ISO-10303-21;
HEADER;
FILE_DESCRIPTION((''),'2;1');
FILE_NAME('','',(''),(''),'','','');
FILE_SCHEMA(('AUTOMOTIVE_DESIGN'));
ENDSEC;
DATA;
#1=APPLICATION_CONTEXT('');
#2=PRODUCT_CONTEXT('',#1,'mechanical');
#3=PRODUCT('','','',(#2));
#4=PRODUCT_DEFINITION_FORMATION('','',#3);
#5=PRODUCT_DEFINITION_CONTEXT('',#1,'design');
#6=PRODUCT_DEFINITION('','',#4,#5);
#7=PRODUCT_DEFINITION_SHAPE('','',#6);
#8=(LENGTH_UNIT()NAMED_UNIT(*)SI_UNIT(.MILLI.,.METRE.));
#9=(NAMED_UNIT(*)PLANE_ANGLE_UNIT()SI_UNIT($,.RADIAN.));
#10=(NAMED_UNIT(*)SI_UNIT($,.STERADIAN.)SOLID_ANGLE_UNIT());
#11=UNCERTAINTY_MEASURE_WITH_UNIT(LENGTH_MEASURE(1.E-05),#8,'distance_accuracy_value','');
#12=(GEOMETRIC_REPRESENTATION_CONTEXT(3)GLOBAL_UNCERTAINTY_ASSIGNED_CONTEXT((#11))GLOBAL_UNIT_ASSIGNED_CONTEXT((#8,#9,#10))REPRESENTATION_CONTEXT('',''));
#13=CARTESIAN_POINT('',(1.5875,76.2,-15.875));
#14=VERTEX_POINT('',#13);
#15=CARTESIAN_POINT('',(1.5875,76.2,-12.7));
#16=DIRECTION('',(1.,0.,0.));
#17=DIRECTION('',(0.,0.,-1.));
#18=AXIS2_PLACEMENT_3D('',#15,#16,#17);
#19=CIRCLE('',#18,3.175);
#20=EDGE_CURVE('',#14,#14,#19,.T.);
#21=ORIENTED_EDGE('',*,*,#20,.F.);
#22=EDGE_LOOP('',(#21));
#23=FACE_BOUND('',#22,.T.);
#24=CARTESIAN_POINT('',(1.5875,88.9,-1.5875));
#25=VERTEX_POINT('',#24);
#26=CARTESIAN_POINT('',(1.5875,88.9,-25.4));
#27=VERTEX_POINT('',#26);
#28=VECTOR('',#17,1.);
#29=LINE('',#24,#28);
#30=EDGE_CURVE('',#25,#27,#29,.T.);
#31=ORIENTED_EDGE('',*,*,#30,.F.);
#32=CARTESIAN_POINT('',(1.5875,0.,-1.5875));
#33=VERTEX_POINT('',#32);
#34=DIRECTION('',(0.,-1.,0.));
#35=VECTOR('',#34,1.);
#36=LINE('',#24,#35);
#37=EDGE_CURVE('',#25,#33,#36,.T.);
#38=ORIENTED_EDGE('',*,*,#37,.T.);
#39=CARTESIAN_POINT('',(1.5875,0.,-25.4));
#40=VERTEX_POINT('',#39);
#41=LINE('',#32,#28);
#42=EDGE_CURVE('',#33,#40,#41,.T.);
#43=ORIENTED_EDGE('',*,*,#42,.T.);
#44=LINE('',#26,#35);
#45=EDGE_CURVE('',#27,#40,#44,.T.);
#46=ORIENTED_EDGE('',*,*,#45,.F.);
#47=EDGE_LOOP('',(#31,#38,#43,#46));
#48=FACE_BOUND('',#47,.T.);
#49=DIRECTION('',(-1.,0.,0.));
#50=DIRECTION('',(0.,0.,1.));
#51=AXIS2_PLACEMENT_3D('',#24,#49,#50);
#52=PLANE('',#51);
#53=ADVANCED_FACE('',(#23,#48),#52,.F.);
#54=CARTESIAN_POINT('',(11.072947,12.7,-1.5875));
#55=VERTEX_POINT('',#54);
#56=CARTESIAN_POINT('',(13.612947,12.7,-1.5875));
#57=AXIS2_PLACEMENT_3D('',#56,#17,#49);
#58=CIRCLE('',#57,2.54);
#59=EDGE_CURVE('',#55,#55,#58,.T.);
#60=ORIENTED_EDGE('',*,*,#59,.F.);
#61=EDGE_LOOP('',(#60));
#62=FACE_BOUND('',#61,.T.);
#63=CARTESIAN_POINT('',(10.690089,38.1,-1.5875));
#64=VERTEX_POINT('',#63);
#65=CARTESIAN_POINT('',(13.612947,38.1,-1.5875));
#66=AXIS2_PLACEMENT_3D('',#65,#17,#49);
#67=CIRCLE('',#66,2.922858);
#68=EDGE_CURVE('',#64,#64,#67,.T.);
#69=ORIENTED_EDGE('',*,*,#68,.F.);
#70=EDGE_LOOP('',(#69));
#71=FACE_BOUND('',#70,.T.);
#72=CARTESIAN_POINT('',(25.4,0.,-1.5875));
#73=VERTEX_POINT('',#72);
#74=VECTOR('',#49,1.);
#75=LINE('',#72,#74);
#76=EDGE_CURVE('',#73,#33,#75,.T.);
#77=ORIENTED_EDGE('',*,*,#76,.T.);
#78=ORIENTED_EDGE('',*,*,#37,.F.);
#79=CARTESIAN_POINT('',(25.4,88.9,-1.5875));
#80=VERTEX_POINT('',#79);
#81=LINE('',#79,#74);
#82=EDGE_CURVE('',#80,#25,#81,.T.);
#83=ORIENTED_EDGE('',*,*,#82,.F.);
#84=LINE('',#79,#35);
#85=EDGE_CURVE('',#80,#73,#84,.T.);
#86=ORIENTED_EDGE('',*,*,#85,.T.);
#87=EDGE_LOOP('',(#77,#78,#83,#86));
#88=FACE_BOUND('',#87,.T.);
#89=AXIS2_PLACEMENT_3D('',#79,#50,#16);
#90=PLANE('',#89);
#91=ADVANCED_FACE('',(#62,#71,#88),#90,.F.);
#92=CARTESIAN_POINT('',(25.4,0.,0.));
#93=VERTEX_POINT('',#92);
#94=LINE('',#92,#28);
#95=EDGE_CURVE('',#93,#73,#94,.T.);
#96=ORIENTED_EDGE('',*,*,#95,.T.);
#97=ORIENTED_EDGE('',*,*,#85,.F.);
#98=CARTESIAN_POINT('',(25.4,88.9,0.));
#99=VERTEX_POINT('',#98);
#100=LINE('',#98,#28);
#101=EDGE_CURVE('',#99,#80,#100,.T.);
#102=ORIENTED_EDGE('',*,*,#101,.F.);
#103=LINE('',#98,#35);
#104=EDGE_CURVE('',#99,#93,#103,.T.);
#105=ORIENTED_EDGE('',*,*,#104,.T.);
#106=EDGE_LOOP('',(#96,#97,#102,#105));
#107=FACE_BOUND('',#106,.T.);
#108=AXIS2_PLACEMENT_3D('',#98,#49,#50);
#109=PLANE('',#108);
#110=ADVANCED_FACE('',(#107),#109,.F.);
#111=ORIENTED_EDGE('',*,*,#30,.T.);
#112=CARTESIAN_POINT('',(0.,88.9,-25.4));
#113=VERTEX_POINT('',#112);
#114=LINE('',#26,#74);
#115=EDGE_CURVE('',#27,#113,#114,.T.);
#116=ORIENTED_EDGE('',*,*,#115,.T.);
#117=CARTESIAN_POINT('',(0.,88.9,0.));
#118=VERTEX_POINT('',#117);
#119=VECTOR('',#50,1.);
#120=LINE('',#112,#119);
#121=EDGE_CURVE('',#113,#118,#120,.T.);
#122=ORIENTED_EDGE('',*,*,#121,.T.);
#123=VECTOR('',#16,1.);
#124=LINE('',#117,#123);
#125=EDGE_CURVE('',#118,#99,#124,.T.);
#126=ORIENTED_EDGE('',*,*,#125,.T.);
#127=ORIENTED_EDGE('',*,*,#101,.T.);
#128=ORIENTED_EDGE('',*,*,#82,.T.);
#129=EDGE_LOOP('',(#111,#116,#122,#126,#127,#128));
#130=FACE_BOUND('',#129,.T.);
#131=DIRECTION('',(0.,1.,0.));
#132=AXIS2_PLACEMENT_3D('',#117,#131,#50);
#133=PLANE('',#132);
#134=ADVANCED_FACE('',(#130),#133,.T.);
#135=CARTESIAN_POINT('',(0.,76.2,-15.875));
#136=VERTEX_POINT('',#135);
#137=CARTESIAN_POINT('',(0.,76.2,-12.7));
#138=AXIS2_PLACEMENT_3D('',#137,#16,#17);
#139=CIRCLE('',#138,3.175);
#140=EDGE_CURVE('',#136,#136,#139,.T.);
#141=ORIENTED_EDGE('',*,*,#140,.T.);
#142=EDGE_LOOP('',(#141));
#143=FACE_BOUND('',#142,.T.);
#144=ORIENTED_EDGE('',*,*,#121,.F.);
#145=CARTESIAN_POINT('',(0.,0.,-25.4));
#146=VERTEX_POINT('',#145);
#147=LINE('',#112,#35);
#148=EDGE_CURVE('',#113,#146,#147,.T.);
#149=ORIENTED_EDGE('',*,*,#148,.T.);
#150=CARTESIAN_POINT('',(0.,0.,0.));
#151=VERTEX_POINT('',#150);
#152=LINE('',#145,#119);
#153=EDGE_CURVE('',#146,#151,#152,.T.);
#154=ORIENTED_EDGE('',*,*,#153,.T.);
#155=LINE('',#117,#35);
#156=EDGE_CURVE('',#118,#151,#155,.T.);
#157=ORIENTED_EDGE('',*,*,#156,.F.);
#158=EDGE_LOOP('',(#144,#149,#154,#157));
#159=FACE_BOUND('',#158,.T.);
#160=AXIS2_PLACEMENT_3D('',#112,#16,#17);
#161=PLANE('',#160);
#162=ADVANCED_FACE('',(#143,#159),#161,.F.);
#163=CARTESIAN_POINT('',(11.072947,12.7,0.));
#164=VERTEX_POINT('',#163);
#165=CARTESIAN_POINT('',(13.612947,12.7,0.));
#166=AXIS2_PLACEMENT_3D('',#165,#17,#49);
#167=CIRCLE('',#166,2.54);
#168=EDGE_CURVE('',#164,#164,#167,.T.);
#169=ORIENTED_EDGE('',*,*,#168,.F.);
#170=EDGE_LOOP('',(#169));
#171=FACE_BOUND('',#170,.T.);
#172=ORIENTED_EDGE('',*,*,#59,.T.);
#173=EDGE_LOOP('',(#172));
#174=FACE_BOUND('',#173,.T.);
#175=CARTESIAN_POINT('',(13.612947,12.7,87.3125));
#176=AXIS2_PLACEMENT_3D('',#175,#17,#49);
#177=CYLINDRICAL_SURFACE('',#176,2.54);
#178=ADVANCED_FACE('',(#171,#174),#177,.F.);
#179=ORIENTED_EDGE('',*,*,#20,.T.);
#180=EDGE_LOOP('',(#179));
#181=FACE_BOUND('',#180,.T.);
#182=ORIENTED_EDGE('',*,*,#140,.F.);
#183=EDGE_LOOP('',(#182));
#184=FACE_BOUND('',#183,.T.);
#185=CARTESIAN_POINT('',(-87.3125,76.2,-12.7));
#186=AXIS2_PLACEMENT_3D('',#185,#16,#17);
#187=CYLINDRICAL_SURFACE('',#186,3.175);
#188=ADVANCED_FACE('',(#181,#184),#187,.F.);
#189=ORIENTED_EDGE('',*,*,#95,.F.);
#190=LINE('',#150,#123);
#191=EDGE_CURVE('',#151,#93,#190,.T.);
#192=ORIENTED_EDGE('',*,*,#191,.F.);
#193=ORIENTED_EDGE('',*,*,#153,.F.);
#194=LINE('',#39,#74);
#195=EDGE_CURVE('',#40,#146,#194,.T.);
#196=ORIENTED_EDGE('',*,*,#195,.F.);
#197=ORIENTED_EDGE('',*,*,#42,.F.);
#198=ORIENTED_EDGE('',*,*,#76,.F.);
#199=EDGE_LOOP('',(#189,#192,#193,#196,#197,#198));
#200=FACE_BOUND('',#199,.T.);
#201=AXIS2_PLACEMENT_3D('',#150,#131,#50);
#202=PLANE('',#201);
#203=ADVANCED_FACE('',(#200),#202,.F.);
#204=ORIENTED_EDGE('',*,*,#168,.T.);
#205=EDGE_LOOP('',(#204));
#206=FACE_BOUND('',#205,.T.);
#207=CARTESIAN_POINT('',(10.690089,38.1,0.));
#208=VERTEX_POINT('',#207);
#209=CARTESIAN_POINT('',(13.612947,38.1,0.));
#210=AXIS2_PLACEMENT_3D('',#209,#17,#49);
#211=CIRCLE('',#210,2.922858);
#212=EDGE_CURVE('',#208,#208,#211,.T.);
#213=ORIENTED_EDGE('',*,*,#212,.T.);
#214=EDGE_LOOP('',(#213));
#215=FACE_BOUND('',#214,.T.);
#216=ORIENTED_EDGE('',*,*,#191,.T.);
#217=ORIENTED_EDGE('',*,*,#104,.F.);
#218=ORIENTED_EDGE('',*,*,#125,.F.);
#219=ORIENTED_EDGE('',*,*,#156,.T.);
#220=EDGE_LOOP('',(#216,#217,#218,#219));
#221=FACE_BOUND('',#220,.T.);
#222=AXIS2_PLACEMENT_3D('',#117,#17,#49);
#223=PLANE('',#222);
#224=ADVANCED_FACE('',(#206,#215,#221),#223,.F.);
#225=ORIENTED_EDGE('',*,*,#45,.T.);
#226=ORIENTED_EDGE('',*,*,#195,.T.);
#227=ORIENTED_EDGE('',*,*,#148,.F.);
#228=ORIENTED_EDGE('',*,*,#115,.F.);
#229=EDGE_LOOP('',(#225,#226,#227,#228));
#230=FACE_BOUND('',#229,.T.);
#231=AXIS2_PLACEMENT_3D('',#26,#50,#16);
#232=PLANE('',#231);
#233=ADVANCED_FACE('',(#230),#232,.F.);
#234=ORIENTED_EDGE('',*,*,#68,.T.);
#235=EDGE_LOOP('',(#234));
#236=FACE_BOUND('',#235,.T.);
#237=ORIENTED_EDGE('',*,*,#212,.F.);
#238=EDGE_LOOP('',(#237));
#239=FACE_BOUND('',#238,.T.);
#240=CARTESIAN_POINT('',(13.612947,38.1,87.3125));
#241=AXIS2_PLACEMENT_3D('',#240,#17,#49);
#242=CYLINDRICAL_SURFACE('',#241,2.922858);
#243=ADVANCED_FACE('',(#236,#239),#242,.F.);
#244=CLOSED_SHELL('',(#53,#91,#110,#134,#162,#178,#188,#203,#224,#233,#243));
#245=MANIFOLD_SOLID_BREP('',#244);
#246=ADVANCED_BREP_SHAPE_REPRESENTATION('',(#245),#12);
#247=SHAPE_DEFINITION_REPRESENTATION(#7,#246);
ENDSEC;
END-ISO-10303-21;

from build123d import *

# Parameters (mm, degrees)
BOSS_EXTRUDE1_DEPTH = 88.9
SKETCH2_R           = 2.54
SKETCH2_R_2         = 2.922857965
CUT_EXTRUDE1_DEPTH  = 88.9
SKETCH3_R           = 3.175
CUT_EXTRUDE2_DEPTH  = 88.9


with BuildPart() as part:
    # Sketch1 → Boss-Extrude1 (new body)
    with BuildSketch(Plane(origin=(0, 0, 0), x_dir=(1, 0, 0), z_dir=(0, 1, 0))):
        Polygon((0, 25.4), (0, 0), (25.4, 0), (25.4, 1.5875), (1.5875, 1.5875), (1.5875, 25.4), align=None)
    extrude(amount=BOSS_EXTRUDE1_DEPTH)

    # Sketch2 → Cut-Extrude1 (cut)
    with BuildSketch(Plane(origin=(0, 0, -1.5875), x_dir=(-1, 0, 0), z_dir=(0, 0, -1))):
        with Locations((-13.612947448, 12.7)):
            Circle(SKETCH2_R)
        with Locations((-13.612947448, 38.1)):
            Circle(SKETCH2_R_2)
    extrude(amount=-CUT_EXTRUDE1_DEPTH, mode=Mode.SUBTRACT)

    # Sketch3 → Cut-Extrude2 (cut)
    with BuildSketch(Plane(origin=(1.5875, 0, 0), x_dir=(0, 0, -1), z_dir=(1, 0, 0))):
        with Locations((12.7, 76.2)):
            Circle(SKETCH3_R)
    extrude(amount=-CUT_EXTRUDE2_DEPTH, mode=Mode.SUBTRACT)


solid = part.part
